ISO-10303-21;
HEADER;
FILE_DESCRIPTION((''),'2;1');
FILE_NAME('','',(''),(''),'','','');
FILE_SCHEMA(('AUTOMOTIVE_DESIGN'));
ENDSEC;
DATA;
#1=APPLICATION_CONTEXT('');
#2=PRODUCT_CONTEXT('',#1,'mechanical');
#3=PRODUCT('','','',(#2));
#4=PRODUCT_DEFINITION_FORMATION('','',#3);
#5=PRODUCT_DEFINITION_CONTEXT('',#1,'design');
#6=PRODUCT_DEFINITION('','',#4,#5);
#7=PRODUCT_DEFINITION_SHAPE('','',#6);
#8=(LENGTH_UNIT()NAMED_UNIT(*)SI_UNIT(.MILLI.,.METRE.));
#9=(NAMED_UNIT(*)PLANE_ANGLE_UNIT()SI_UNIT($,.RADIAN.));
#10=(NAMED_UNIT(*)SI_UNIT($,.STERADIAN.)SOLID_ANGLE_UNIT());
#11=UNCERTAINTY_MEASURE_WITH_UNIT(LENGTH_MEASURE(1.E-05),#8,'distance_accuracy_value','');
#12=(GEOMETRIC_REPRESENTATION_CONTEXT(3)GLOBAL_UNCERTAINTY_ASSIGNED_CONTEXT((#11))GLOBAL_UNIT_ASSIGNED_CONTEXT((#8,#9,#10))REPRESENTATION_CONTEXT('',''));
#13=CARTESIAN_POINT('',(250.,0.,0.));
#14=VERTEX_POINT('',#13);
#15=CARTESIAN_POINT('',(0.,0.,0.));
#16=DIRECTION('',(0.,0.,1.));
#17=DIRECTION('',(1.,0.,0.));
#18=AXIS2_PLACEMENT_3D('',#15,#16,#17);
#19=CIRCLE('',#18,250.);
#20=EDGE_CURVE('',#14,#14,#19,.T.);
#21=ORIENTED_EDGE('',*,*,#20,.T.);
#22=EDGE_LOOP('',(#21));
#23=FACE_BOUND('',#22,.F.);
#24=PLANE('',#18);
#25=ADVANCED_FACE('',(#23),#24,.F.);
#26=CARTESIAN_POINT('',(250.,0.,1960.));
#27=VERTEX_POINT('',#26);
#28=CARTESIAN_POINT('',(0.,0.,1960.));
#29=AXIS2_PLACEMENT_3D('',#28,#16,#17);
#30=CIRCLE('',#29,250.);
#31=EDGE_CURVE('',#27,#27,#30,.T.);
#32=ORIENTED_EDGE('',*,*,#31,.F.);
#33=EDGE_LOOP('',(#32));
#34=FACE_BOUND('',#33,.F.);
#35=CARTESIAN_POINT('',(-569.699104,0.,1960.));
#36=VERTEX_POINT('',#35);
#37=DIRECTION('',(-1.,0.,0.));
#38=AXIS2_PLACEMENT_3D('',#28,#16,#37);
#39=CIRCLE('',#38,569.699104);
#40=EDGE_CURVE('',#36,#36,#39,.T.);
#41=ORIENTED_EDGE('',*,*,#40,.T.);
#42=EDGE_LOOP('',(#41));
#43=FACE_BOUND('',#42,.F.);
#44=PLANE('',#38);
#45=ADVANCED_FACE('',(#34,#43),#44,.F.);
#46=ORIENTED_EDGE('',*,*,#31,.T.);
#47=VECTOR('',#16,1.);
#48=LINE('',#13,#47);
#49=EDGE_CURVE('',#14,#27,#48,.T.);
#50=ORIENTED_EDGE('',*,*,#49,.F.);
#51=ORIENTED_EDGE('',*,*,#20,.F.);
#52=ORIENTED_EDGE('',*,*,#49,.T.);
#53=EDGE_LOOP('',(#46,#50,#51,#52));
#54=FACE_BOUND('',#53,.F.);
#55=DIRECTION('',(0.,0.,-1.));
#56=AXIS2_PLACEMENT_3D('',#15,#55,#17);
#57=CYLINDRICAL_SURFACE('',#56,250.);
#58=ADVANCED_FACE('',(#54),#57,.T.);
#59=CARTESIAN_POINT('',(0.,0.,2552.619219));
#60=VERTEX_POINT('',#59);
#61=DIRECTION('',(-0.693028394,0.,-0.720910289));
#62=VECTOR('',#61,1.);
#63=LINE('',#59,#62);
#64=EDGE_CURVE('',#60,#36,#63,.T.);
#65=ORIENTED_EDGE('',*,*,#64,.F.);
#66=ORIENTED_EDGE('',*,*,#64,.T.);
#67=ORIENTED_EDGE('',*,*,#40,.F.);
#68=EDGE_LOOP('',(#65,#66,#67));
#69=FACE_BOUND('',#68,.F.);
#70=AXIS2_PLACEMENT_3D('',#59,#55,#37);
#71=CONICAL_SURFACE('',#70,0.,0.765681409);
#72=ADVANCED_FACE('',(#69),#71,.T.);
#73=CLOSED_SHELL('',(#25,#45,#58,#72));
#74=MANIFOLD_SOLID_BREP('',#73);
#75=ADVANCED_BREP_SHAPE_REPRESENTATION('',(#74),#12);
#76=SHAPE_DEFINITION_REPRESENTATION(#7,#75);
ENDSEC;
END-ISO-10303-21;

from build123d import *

# Parameters (mm, degrees)
F0_R     = 250
F1_DEPTH = 1960


with BuildPart() as f1:
    # F0 (on Top) → F1 (new body)
    with BuildSketch(Plane.XY):
        Circle(F0_R)
    extrude(amount=F1_DEPTH)

    # F2 (on Front) → F3 (revolve)
    with BuildSketch(Plane.XZ):
        Polygon((-569.699104, 1960), (0, 1960), (0, 2552.619219), align=None)
    revolve(axis=Axis((0, 0, 2256.309609), (0, 0, 1)))


solid = f1.part
